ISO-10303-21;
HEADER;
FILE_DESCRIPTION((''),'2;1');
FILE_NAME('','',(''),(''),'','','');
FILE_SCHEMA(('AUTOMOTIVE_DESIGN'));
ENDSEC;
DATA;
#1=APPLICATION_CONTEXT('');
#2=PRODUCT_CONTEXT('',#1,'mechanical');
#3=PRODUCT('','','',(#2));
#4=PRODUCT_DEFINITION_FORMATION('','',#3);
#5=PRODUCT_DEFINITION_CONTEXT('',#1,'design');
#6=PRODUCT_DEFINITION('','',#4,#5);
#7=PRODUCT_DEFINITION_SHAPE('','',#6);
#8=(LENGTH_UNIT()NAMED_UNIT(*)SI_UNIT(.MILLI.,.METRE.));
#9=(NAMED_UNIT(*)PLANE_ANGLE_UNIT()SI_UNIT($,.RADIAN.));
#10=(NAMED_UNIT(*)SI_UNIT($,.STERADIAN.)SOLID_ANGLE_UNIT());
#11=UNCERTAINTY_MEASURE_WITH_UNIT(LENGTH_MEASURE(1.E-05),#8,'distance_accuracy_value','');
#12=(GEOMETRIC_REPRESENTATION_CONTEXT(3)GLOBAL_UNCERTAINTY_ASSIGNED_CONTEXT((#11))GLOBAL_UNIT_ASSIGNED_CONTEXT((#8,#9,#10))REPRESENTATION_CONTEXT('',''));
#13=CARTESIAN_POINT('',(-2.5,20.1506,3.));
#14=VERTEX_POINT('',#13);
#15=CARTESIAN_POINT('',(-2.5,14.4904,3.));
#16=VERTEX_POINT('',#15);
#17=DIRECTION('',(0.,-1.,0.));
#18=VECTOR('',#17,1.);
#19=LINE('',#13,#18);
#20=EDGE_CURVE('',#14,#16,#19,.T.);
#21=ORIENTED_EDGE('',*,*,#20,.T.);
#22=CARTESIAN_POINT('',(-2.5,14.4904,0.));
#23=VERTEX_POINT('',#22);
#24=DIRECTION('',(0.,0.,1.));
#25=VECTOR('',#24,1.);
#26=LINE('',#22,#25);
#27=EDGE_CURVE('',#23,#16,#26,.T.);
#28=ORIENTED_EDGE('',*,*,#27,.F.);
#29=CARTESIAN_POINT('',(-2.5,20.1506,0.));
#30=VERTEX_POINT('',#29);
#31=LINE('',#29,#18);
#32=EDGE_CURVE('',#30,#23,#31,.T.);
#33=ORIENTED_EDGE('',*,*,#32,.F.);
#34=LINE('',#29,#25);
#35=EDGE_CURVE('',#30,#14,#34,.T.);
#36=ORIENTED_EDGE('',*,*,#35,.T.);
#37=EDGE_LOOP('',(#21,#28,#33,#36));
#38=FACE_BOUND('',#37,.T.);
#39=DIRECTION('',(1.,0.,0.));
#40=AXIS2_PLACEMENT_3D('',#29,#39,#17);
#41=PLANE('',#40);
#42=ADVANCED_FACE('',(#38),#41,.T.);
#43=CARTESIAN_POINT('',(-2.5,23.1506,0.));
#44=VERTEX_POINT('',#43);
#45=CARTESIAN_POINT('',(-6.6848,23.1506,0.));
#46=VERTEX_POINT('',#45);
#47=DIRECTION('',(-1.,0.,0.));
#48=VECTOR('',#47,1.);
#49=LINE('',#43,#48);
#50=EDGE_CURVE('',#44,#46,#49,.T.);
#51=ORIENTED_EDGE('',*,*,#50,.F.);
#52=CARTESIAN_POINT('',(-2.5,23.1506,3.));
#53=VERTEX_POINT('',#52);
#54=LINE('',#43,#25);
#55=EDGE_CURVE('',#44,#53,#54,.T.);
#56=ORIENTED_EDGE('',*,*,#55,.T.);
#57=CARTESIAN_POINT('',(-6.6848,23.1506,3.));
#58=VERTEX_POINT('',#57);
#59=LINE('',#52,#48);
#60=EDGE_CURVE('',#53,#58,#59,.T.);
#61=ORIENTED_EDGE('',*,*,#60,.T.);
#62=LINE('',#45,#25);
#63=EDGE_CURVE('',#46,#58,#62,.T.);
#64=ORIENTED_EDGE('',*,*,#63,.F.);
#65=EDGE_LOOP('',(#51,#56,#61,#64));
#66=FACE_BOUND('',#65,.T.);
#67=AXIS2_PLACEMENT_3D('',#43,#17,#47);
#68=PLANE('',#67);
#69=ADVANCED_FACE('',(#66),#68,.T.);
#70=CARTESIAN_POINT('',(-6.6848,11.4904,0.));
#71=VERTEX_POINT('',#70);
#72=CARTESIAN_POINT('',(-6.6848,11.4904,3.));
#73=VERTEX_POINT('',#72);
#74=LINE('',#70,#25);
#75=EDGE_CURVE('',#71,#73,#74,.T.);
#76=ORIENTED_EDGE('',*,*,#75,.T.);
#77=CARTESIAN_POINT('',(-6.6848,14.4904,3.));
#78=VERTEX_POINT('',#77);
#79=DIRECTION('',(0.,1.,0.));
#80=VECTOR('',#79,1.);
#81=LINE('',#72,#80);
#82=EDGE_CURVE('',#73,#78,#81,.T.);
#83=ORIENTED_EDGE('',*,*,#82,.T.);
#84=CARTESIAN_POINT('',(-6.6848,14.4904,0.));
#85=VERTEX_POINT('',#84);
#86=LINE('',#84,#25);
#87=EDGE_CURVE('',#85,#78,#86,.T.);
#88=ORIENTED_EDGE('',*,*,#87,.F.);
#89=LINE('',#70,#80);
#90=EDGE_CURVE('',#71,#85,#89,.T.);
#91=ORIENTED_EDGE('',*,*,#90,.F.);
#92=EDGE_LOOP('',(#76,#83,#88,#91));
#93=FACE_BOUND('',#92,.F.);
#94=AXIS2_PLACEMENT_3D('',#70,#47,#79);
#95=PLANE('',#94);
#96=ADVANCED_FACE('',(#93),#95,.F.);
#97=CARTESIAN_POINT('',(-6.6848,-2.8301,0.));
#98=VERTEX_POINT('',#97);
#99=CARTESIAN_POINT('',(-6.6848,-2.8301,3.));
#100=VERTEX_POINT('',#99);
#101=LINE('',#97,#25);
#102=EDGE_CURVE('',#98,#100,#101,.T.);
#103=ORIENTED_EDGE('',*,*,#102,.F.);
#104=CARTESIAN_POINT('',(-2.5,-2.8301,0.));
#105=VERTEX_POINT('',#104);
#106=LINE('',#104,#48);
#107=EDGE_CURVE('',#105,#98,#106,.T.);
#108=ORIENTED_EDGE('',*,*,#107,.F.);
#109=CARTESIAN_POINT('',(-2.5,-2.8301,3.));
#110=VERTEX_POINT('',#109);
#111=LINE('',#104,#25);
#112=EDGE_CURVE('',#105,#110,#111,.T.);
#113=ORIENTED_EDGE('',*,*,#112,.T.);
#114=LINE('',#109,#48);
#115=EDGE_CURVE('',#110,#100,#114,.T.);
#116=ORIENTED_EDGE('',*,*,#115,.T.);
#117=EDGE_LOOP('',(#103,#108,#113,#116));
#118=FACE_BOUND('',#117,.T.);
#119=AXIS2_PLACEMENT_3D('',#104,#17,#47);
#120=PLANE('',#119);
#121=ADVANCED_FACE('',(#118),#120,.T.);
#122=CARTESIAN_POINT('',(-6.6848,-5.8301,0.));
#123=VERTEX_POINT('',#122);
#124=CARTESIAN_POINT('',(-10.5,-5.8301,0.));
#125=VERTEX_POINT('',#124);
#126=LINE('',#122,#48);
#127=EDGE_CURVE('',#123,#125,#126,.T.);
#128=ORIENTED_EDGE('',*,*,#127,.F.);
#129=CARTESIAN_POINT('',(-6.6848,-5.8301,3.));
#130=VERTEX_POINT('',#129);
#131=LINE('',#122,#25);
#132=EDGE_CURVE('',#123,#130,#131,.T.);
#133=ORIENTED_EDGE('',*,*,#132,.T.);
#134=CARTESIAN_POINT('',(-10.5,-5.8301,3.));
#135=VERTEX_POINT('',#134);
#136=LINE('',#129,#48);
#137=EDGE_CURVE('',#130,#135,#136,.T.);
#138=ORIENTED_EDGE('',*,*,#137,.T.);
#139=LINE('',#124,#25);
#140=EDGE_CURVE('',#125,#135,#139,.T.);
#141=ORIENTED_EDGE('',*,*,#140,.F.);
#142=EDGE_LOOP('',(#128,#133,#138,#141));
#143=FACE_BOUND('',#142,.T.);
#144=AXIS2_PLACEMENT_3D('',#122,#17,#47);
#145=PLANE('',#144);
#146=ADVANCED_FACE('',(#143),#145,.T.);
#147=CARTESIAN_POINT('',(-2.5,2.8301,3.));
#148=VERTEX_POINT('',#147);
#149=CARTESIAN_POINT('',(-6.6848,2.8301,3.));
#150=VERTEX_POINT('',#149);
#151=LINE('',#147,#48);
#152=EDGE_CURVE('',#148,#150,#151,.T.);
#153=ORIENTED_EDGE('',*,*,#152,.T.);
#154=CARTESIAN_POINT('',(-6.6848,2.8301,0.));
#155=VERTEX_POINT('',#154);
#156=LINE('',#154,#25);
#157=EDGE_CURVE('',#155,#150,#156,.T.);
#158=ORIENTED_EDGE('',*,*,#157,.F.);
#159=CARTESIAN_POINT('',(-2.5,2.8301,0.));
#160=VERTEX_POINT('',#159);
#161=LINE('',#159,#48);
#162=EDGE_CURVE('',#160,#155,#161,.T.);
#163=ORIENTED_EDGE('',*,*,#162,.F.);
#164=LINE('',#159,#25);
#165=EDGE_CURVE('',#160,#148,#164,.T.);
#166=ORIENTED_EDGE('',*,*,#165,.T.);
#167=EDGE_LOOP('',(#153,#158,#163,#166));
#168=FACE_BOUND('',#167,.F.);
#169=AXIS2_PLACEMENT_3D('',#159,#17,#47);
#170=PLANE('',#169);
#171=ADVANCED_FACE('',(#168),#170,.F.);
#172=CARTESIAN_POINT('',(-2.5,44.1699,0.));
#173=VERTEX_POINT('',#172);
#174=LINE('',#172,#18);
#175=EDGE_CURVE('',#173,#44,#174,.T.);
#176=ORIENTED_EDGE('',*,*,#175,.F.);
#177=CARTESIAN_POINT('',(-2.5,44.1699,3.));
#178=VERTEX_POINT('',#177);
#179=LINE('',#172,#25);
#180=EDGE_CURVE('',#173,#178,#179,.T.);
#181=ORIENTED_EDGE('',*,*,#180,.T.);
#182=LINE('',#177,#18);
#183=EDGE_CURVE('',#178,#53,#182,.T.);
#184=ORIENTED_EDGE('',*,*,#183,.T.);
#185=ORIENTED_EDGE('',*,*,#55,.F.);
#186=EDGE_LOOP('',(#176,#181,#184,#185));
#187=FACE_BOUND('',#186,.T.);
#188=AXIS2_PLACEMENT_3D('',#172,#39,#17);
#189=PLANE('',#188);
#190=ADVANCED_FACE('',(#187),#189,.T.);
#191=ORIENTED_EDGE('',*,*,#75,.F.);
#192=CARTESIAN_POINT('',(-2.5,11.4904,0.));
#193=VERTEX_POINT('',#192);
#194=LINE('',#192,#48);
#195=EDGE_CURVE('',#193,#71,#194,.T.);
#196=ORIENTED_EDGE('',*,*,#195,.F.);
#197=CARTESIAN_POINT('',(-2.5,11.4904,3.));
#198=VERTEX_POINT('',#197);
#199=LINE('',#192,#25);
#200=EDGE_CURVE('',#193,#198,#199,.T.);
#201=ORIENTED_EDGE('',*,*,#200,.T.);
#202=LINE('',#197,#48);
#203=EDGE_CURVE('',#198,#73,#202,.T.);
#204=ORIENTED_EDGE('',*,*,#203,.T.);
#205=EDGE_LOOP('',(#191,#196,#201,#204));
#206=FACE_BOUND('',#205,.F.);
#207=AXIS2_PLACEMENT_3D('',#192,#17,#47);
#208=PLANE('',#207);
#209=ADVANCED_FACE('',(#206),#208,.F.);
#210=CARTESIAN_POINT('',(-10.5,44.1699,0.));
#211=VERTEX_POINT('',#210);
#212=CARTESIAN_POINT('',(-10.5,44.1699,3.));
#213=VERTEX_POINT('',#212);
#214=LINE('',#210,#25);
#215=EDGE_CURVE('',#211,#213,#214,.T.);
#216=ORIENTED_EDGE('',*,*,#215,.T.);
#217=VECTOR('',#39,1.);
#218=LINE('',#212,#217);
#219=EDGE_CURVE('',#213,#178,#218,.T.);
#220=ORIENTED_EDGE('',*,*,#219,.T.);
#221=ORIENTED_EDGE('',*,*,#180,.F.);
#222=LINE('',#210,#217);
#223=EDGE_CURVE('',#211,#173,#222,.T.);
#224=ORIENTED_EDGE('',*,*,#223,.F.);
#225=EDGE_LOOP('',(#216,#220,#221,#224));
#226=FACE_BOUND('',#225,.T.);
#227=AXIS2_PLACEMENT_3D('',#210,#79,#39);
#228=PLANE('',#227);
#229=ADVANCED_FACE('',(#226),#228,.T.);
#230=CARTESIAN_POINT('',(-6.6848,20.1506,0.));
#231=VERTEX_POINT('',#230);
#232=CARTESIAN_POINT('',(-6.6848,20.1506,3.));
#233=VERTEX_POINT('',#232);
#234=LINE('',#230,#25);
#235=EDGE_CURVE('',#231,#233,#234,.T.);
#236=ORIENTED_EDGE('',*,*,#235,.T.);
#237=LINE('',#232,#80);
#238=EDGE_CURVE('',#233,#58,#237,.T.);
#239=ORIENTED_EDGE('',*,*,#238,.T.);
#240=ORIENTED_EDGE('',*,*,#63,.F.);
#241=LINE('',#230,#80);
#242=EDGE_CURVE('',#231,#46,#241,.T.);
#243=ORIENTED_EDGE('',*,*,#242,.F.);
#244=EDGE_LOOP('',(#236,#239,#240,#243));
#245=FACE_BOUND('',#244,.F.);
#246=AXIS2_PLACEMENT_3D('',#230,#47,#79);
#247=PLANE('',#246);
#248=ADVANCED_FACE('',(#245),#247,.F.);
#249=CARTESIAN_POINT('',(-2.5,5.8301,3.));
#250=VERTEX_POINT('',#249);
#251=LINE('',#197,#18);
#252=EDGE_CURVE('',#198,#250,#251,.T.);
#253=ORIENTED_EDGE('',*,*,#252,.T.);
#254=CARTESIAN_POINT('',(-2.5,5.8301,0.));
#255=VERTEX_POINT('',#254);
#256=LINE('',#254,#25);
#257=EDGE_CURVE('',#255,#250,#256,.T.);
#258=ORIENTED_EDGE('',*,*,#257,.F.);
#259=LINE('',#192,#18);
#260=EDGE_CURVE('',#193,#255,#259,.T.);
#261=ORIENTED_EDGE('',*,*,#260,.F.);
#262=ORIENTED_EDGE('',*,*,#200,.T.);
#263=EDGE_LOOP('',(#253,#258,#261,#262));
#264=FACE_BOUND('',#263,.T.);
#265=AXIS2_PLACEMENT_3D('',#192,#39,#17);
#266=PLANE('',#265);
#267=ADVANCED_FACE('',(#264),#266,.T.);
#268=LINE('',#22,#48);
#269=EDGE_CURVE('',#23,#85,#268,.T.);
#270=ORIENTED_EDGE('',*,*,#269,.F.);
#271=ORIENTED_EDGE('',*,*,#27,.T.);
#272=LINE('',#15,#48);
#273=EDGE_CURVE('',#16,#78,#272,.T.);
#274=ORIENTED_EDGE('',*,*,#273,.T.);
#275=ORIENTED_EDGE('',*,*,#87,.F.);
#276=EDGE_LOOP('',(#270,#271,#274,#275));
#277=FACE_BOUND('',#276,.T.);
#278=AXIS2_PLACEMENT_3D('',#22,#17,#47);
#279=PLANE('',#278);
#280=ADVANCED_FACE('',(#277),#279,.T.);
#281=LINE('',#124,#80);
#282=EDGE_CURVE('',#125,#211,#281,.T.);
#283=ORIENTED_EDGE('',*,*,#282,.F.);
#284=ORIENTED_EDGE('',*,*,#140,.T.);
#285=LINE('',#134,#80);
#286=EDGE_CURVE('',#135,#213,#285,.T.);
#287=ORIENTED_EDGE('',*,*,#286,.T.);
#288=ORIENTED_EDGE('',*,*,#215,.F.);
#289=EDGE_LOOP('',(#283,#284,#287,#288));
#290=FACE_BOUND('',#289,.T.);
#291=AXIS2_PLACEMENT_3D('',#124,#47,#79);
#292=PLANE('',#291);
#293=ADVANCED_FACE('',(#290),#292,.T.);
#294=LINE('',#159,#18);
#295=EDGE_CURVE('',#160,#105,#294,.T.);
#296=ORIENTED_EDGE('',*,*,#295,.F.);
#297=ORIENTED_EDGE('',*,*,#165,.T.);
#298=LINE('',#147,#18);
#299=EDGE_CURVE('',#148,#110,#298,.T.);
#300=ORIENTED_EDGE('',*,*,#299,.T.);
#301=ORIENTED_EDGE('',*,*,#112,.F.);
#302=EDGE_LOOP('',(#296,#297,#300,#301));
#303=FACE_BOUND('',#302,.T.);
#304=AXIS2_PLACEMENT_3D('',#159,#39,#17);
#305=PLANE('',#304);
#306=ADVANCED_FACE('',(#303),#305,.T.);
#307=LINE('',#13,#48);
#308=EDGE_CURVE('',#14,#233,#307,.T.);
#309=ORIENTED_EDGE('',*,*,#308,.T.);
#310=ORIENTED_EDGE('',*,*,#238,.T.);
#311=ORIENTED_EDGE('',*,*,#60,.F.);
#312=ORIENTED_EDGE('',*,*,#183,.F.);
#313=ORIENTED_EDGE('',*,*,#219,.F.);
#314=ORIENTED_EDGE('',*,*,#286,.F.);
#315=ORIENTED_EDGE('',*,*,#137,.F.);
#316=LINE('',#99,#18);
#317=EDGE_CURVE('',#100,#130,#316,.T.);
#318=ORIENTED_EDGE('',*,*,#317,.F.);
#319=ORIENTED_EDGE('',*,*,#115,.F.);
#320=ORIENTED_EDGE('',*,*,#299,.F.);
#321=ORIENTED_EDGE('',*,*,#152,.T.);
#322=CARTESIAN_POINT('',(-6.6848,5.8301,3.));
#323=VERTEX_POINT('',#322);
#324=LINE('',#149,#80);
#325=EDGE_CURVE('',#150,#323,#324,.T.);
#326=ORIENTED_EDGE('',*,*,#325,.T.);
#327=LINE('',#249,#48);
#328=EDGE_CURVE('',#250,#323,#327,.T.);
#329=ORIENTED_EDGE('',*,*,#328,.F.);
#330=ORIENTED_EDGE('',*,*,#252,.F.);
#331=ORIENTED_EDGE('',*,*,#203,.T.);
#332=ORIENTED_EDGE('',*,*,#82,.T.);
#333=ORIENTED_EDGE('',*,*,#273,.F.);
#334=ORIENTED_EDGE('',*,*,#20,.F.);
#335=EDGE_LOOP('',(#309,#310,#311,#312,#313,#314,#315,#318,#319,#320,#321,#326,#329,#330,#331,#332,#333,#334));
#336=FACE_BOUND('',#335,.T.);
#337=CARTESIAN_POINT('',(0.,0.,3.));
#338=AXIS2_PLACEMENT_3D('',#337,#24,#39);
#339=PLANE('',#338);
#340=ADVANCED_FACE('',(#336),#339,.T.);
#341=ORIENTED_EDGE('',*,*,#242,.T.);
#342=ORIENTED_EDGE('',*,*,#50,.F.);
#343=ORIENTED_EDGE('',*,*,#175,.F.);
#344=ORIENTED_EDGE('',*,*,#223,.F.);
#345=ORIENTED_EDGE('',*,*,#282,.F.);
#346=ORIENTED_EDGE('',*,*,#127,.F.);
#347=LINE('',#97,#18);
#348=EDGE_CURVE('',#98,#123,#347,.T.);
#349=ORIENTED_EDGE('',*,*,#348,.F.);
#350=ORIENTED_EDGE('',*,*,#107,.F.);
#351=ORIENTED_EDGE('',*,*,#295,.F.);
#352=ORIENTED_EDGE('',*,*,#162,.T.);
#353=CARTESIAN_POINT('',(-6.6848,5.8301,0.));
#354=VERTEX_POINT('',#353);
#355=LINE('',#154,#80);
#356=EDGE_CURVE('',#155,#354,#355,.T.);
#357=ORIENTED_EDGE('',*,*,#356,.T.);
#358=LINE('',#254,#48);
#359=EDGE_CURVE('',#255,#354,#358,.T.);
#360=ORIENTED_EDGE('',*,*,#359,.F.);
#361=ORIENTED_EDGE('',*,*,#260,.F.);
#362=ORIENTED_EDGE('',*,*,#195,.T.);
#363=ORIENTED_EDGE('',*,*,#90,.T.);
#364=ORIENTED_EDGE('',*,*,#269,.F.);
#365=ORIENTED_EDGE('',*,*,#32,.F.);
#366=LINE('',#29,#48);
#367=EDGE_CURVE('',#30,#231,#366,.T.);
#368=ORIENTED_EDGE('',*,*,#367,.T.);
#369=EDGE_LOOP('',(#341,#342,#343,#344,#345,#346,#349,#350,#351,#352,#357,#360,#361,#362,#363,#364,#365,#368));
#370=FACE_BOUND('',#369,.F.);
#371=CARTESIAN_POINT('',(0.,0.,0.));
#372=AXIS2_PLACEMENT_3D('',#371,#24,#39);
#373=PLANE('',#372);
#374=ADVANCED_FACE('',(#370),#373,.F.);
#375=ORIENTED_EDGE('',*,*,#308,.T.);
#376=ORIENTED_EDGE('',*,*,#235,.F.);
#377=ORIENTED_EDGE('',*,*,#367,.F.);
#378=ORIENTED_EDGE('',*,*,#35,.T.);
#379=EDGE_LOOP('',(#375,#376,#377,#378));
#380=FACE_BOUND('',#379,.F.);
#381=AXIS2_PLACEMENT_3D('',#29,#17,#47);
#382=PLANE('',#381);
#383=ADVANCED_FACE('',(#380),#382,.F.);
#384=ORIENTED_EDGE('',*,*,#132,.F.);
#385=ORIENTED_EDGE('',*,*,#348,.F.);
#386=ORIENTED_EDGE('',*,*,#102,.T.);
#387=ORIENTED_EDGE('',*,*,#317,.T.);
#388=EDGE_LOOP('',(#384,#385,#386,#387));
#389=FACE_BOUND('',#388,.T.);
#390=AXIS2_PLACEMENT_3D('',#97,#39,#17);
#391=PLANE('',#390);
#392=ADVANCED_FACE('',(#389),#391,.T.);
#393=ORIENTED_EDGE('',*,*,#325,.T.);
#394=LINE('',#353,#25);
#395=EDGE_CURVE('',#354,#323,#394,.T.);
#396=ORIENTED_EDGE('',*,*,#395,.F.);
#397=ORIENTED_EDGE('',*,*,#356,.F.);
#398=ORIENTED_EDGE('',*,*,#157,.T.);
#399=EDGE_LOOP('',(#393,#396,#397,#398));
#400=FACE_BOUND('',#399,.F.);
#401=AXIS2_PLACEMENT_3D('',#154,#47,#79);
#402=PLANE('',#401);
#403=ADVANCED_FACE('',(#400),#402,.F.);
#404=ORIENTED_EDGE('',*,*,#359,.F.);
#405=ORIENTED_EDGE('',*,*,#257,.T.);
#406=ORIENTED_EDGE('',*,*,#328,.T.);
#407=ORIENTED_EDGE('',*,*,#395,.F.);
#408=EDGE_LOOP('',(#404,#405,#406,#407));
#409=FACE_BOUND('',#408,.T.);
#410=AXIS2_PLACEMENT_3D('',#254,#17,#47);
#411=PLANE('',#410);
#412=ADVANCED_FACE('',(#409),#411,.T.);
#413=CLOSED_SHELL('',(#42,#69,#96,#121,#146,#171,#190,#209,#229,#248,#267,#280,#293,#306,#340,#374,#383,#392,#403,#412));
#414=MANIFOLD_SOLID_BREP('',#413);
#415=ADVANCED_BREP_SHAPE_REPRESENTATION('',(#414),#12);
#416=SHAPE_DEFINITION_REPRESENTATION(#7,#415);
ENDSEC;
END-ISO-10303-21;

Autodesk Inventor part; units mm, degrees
ref_plane "YZ Plane" through (0, 0, 0) normal (1, 0, 0) x (0, 1, 0)
ref_plane "XZ Plane" through (0, 0, 0) normal (0, 1, 0) x (-1, 0, 0)
ref_plane "XY Plane" through (0, 0, 0) normal (0, 0, 1) x (1, 0, 0)
sketch "Sketch1" plane through (0, 0, 0) normal (0, 0, 1) x (1, 0, 0)
  circle A0 centre (-2.5, 4.3301) radius 1.5 projected
  circle A1 centre (-2.5, -4.3301) radius 1.5 projected
  line L0 (-3.5898, 5.3609) -> (2.6004, 5.3609) construction
  line L1 (-2.5, -2.8301) -> (-6.6848, -2.8301)
  line L2 (-6.6848, -2.8301) -> (-6.6848, -5.8301)
  line L3 (-2.5, 5.8301) -> (-6.6848, 5.8301)
  line L4 (-2.5, 2.8301) -> (-6.6848, 2.8301)
  line L5 (-6.6848, 2.8301) -> (-6.6848, 5.8301)
  line L6 (-10.5, 44.1699) -> (-2.5, 44.1699)
  line L7 (-6.6848, -5.8301) -> (-10.5, -5.8301)
  line L8 (-10.5, -5.8301) -> (-10.5, 44.1699)
  line L9 (-6.6848, 0.0001) -> (-6.6849, 0)
  line L10 (-2.5, 2.8301) -> (-2.5, -2.8301)
  line L11 (-2.5, 14.4904) -> (-6.6848, 14.4904)
  line L12 (-2.5, 11.4904) -> (-6.6848, 11.4904)
  line L13 (-6.6848, 11.4904) -> (-6.6848, 14.4904)
  line L14 (-2.5, 11.4904) -> (-2.5, 5.8301)
  line L15 (-2.5, 23.1506) -> (-6.6848, 23.1506)
  line L16 (-2.5, 20.1506) -> (-6.6848, 20.1506)
  line L17 (-6.6848, 20.1506) -> (-6.6848, 23.1506)
  line L18 (-2.5, 20.1506) -> (-2.5, 14.4904)
  line L19 (-2.5, 11.4904) -> (-2.5, 5.8301)
  line L20 (-2.5, 44.1699) -> (-2.5, 23.1506)
  line L21 (-2.5, 20.1506) -> (-2.5, 14.4904)
  point P0 (0, 0)
  point P1 (-5.6848, 1.0001)
extrude "Extrusion1" add sketch "Sketch1" along normal blind 3 contours L3 L5 L4 L10 L1 L2 L7 L8 L6 L20 L15 L17 L16 L18 L11 L13 L12 L14
properties part number "B"
